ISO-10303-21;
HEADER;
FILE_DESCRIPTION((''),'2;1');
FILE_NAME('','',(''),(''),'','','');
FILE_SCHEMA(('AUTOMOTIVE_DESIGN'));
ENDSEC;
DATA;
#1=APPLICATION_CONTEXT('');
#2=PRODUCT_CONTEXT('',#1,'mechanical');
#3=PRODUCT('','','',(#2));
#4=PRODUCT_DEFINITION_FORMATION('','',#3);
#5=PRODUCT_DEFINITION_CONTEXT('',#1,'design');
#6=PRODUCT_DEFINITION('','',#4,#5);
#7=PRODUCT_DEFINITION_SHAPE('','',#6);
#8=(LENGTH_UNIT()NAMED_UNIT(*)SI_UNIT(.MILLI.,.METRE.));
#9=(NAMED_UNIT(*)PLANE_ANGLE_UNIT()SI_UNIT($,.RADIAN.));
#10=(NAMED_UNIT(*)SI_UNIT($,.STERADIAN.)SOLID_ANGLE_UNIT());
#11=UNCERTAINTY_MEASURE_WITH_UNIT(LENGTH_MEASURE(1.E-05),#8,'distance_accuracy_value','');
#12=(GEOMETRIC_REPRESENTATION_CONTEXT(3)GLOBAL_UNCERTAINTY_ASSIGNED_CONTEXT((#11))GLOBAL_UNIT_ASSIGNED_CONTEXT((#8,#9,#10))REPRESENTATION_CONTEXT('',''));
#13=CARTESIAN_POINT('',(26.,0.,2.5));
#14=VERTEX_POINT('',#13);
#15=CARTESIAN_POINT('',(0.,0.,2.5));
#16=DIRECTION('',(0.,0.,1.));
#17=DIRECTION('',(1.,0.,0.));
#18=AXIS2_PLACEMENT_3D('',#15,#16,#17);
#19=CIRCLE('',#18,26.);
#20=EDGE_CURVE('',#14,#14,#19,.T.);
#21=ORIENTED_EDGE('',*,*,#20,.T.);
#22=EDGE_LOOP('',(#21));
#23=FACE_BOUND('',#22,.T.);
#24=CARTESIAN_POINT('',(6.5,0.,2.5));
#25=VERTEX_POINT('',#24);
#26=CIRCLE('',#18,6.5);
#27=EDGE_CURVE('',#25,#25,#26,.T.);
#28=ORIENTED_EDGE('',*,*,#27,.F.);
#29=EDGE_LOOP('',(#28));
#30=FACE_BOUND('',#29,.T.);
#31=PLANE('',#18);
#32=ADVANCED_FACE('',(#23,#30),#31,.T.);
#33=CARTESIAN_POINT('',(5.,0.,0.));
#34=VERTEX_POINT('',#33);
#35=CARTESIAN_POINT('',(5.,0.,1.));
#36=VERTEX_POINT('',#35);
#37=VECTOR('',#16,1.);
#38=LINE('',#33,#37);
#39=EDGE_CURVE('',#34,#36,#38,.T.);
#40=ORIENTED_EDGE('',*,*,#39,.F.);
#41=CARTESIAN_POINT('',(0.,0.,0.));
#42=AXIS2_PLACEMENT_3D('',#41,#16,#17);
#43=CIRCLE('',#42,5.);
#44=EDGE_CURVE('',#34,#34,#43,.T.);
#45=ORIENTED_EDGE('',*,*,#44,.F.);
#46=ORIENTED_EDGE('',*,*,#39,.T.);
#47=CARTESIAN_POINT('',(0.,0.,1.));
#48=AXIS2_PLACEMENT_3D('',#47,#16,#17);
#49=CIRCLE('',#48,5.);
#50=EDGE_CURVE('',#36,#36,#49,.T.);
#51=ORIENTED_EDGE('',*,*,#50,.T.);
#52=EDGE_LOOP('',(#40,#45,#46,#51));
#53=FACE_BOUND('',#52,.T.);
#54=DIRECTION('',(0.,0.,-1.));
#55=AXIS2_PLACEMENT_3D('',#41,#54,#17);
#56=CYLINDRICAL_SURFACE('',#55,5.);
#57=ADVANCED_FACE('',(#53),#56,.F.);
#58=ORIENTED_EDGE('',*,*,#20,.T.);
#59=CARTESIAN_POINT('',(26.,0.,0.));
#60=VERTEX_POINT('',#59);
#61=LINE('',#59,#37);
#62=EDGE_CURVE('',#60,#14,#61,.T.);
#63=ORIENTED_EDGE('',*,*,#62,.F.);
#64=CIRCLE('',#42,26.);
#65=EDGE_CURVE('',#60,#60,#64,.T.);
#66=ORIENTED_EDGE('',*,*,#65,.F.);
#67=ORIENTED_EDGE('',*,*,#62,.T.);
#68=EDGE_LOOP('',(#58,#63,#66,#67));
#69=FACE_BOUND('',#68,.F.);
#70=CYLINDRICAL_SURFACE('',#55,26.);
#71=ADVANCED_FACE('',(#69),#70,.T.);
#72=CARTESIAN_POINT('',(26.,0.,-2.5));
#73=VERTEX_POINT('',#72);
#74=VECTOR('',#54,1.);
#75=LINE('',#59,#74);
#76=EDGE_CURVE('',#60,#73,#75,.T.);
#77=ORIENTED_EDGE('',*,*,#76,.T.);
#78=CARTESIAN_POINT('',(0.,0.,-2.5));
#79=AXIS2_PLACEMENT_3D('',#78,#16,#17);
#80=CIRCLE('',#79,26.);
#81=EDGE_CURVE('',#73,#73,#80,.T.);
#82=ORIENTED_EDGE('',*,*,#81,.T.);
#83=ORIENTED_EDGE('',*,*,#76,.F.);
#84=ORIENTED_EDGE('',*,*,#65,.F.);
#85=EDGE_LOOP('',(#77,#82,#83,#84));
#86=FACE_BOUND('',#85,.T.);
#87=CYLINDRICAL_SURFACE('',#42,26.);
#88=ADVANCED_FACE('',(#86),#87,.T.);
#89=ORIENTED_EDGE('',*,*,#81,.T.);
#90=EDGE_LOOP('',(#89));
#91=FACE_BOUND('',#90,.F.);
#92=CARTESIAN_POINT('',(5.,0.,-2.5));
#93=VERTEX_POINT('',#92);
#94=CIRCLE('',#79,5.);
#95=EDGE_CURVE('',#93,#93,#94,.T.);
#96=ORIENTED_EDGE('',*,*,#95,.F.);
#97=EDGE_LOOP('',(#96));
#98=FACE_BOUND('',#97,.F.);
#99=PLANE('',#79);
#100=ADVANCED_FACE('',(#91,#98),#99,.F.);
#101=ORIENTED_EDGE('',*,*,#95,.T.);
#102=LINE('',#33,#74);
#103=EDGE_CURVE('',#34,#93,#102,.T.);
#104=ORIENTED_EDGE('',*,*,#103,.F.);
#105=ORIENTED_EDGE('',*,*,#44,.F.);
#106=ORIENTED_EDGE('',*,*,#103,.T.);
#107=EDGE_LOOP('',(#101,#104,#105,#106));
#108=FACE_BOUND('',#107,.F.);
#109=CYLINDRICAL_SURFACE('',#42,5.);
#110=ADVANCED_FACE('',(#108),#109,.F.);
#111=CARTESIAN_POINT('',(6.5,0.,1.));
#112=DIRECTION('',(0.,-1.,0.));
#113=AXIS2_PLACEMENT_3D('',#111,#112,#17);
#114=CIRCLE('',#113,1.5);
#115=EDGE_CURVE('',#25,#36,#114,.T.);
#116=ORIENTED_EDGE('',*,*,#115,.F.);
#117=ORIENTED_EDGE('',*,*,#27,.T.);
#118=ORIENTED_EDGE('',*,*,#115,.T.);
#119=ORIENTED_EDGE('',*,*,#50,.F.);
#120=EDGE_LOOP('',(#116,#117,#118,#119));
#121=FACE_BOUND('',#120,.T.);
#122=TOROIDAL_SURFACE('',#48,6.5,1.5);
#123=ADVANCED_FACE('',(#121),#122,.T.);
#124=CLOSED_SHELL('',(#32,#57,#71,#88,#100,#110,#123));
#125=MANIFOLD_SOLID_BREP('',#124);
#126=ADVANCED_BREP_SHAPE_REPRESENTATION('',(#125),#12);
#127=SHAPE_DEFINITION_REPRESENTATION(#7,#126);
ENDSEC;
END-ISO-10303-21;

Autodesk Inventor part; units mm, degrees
ref_plane "YZ Plane" through (0, 0, 0) normal (1, 0, 0) x (0, 1, 0)
ref_plane "XZ Plane" through (0, 0, 0) normal (0, 1, 0) x (-1, 0, 0)
ref_plane "XY Plane" through (0, 0, 0) normal (0, 0, 1) x (1, 0, 0)
sketch "Sketch1" plane through (0, 0, 0) normal (0, 0, 1) x (1, 0, 0)
  circle A0 centre (0, 0) radius 26
  circle A1 centre (0, 0) radius 5
  dimension "d0" = 52
  dimension "d1" = 10
extrude "Extrusion1" add sketch "Sketch1" along normal mid plane 5
fillet "Fillet1" radius 1.5 1 edges at (-5, 0, 2.5)
properties part number "Rubber"
